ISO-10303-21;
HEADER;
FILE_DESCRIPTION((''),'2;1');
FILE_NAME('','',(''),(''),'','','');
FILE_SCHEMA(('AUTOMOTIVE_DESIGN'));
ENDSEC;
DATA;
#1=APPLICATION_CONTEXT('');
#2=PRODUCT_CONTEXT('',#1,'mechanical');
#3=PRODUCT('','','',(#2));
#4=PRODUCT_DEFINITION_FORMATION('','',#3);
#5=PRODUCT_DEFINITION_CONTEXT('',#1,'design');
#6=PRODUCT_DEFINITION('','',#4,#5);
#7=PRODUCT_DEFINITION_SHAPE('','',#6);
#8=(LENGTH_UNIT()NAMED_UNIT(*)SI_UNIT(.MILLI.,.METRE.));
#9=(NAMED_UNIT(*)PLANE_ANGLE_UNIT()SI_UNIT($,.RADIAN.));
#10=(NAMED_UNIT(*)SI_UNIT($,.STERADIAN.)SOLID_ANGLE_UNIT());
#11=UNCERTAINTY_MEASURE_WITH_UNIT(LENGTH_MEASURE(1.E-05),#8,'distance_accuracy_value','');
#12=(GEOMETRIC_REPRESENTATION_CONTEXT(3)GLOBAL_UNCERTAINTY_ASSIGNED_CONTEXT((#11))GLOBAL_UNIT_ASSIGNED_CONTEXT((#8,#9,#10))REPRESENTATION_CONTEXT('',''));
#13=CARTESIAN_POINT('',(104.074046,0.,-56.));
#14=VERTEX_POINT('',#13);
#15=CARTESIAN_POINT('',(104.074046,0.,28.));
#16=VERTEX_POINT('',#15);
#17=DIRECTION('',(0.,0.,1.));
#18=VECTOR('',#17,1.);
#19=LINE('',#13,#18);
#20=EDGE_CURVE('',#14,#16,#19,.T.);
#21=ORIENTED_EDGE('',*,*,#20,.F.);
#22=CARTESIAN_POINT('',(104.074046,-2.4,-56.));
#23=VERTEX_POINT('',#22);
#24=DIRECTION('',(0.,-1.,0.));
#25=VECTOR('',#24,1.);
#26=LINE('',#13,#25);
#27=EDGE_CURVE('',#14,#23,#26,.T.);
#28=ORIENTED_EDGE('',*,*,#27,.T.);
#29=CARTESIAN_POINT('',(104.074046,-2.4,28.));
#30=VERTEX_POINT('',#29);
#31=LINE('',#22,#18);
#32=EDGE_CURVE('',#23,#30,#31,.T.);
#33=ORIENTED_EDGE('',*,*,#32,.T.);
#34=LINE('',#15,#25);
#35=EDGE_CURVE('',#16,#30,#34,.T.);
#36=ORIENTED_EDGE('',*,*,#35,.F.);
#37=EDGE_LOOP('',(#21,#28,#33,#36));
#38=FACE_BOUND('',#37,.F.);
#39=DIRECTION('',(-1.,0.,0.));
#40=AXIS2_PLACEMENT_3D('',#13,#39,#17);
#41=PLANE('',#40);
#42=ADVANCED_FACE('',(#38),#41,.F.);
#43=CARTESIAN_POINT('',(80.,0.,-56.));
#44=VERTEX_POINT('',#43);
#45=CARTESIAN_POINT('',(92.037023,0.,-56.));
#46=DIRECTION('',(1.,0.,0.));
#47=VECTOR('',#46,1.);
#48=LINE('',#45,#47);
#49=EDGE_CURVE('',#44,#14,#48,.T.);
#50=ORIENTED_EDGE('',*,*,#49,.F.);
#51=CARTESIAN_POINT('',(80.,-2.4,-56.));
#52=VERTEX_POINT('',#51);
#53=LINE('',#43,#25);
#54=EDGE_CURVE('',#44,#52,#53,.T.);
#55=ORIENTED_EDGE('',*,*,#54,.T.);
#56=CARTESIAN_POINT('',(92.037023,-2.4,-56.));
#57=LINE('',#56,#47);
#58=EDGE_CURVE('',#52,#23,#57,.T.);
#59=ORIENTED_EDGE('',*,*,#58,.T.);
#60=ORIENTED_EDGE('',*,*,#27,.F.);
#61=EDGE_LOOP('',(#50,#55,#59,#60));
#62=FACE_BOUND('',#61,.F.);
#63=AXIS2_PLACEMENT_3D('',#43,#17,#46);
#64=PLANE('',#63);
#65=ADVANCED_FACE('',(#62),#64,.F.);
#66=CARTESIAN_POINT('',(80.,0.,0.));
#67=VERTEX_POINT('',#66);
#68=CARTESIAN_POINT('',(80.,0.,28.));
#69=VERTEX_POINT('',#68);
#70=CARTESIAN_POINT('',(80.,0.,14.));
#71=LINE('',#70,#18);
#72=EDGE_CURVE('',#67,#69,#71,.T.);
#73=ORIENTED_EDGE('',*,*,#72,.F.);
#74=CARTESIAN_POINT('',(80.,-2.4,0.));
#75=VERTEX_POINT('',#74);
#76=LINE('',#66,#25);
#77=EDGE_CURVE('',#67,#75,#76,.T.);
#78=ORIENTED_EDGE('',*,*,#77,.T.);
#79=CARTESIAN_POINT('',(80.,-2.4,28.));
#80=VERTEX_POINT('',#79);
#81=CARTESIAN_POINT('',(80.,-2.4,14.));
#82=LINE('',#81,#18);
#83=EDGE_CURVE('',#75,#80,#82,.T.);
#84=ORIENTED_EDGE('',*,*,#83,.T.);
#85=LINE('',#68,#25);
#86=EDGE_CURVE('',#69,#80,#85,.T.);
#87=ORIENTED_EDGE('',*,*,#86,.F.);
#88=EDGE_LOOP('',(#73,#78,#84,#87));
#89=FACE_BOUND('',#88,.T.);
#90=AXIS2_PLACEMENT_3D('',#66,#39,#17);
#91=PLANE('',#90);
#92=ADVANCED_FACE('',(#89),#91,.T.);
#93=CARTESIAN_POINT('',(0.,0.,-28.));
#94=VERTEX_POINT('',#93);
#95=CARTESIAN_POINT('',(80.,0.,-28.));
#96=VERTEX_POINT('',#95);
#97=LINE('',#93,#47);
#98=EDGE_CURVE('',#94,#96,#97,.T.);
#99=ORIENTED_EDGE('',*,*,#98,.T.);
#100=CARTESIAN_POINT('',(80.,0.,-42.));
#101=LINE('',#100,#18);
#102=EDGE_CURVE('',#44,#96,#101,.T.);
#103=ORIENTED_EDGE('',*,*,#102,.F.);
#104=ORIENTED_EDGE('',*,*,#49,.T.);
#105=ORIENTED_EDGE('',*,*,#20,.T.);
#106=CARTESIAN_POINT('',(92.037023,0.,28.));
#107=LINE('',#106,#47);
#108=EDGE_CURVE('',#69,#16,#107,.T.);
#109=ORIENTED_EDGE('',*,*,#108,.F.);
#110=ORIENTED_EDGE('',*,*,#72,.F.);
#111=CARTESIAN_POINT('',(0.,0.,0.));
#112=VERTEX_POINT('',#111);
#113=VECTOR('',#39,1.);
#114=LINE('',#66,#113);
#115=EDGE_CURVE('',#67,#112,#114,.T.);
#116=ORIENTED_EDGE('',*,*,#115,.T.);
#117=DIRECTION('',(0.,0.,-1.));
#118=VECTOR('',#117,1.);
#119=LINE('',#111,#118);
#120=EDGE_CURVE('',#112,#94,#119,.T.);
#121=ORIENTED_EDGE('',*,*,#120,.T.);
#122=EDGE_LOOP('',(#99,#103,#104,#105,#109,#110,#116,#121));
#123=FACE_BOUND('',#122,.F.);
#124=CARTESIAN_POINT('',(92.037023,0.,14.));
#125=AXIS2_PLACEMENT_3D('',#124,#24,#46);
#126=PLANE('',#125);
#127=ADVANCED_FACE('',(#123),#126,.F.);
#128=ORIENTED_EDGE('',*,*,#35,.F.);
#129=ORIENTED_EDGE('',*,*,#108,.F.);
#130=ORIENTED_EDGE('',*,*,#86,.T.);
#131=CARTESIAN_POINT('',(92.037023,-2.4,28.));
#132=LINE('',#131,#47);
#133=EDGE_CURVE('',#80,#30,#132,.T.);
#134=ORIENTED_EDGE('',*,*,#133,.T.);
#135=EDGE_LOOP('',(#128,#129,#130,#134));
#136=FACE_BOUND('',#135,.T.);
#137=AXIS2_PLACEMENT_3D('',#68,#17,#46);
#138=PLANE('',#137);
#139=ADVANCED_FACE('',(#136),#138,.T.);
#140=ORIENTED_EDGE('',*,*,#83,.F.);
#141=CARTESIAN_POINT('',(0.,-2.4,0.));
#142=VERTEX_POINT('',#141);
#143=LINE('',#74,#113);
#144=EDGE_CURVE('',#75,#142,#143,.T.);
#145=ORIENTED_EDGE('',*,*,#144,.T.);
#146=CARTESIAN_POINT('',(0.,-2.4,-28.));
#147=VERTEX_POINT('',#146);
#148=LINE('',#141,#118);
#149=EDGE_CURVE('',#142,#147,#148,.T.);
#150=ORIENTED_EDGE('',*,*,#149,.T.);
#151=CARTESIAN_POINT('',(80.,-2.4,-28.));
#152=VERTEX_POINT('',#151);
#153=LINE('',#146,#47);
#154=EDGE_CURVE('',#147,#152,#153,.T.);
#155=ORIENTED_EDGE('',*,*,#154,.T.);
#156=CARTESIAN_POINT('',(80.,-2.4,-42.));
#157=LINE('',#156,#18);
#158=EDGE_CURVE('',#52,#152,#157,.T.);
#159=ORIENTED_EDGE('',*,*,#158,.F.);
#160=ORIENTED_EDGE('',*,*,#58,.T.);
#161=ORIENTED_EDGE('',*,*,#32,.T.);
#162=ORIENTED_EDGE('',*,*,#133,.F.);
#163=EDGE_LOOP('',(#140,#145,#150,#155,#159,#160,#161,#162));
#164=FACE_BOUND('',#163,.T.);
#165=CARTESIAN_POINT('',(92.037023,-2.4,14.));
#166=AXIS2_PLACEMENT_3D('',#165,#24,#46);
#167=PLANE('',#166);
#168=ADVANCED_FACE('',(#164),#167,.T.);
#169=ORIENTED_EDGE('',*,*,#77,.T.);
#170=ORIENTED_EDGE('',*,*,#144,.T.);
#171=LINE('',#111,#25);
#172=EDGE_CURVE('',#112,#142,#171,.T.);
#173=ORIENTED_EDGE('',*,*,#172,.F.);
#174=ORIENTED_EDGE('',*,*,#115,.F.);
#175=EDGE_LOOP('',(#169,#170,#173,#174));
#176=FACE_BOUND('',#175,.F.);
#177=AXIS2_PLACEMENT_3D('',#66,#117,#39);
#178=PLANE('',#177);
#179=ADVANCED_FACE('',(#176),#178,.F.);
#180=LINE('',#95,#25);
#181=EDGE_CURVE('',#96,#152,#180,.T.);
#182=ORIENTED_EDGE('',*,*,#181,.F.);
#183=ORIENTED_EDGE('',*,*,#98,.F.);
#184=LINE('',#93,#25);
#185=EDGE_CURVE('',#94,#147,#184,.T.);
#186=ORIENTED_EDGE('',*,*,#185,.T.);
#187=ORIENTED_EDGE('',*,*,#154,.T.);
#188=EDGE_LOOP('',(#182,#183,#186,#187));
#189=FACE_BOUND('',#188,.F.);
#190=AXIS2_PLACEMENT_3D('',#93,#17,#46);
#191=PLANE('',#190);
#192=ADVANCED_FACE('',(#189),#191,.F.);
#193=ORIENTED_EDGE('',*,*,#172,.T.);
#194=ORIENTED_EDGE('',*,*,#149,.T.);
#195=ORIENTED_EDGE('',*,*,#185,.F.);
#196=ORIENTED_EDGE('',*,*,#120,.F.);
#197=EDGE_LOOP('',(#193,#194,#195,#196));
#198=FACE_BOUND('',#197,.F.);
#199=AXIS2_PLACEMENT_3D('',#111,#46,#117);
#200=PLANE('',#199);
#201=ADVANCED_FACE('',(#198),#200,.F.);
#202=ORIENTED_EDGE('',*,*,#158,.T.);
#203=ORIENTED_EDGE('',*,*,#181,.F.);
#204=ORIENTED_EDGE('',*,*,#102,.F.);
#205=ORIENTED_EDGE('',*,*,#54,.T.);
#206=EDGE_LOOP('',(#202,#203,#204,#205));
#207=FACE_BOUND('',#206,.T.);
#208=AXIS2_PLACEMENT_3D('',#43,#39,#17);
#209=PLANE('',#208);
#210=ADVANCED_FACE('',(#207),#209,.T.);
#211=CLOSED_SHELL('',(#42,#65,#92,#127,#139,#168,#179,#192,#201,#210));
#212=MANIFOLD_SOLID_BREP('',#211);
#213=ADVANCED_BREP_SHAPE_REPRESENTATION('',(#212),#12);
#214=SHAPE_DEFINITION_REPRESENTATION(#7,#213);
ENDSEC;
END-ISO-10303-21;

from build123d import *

# Parameters (mm, degrees)
F0_W     = 24.074046
F0_H     = 28
F1_DEPTH = 2.4


with BuildPart() as f1:
    # F0 (on Front) → F1 (new body)
    with BuildSketch(Plane.XZ):
        with Locations((92.037023, 14)):
            Rectangle(F0_W, F0_H)
        Polygon((80, 0), (52, 0), (80, -28), (104.074046, -28), (104.074046, 0), align=None)
        with Locations((92.037023, -42)):
            Rectangle(F0_W, F0_H)
        Polygon((52, 0), (0, 0), (0, -28), (80, -28), align=None)
    extrude(amount=F1_DEPTH)


solid = f1.part
